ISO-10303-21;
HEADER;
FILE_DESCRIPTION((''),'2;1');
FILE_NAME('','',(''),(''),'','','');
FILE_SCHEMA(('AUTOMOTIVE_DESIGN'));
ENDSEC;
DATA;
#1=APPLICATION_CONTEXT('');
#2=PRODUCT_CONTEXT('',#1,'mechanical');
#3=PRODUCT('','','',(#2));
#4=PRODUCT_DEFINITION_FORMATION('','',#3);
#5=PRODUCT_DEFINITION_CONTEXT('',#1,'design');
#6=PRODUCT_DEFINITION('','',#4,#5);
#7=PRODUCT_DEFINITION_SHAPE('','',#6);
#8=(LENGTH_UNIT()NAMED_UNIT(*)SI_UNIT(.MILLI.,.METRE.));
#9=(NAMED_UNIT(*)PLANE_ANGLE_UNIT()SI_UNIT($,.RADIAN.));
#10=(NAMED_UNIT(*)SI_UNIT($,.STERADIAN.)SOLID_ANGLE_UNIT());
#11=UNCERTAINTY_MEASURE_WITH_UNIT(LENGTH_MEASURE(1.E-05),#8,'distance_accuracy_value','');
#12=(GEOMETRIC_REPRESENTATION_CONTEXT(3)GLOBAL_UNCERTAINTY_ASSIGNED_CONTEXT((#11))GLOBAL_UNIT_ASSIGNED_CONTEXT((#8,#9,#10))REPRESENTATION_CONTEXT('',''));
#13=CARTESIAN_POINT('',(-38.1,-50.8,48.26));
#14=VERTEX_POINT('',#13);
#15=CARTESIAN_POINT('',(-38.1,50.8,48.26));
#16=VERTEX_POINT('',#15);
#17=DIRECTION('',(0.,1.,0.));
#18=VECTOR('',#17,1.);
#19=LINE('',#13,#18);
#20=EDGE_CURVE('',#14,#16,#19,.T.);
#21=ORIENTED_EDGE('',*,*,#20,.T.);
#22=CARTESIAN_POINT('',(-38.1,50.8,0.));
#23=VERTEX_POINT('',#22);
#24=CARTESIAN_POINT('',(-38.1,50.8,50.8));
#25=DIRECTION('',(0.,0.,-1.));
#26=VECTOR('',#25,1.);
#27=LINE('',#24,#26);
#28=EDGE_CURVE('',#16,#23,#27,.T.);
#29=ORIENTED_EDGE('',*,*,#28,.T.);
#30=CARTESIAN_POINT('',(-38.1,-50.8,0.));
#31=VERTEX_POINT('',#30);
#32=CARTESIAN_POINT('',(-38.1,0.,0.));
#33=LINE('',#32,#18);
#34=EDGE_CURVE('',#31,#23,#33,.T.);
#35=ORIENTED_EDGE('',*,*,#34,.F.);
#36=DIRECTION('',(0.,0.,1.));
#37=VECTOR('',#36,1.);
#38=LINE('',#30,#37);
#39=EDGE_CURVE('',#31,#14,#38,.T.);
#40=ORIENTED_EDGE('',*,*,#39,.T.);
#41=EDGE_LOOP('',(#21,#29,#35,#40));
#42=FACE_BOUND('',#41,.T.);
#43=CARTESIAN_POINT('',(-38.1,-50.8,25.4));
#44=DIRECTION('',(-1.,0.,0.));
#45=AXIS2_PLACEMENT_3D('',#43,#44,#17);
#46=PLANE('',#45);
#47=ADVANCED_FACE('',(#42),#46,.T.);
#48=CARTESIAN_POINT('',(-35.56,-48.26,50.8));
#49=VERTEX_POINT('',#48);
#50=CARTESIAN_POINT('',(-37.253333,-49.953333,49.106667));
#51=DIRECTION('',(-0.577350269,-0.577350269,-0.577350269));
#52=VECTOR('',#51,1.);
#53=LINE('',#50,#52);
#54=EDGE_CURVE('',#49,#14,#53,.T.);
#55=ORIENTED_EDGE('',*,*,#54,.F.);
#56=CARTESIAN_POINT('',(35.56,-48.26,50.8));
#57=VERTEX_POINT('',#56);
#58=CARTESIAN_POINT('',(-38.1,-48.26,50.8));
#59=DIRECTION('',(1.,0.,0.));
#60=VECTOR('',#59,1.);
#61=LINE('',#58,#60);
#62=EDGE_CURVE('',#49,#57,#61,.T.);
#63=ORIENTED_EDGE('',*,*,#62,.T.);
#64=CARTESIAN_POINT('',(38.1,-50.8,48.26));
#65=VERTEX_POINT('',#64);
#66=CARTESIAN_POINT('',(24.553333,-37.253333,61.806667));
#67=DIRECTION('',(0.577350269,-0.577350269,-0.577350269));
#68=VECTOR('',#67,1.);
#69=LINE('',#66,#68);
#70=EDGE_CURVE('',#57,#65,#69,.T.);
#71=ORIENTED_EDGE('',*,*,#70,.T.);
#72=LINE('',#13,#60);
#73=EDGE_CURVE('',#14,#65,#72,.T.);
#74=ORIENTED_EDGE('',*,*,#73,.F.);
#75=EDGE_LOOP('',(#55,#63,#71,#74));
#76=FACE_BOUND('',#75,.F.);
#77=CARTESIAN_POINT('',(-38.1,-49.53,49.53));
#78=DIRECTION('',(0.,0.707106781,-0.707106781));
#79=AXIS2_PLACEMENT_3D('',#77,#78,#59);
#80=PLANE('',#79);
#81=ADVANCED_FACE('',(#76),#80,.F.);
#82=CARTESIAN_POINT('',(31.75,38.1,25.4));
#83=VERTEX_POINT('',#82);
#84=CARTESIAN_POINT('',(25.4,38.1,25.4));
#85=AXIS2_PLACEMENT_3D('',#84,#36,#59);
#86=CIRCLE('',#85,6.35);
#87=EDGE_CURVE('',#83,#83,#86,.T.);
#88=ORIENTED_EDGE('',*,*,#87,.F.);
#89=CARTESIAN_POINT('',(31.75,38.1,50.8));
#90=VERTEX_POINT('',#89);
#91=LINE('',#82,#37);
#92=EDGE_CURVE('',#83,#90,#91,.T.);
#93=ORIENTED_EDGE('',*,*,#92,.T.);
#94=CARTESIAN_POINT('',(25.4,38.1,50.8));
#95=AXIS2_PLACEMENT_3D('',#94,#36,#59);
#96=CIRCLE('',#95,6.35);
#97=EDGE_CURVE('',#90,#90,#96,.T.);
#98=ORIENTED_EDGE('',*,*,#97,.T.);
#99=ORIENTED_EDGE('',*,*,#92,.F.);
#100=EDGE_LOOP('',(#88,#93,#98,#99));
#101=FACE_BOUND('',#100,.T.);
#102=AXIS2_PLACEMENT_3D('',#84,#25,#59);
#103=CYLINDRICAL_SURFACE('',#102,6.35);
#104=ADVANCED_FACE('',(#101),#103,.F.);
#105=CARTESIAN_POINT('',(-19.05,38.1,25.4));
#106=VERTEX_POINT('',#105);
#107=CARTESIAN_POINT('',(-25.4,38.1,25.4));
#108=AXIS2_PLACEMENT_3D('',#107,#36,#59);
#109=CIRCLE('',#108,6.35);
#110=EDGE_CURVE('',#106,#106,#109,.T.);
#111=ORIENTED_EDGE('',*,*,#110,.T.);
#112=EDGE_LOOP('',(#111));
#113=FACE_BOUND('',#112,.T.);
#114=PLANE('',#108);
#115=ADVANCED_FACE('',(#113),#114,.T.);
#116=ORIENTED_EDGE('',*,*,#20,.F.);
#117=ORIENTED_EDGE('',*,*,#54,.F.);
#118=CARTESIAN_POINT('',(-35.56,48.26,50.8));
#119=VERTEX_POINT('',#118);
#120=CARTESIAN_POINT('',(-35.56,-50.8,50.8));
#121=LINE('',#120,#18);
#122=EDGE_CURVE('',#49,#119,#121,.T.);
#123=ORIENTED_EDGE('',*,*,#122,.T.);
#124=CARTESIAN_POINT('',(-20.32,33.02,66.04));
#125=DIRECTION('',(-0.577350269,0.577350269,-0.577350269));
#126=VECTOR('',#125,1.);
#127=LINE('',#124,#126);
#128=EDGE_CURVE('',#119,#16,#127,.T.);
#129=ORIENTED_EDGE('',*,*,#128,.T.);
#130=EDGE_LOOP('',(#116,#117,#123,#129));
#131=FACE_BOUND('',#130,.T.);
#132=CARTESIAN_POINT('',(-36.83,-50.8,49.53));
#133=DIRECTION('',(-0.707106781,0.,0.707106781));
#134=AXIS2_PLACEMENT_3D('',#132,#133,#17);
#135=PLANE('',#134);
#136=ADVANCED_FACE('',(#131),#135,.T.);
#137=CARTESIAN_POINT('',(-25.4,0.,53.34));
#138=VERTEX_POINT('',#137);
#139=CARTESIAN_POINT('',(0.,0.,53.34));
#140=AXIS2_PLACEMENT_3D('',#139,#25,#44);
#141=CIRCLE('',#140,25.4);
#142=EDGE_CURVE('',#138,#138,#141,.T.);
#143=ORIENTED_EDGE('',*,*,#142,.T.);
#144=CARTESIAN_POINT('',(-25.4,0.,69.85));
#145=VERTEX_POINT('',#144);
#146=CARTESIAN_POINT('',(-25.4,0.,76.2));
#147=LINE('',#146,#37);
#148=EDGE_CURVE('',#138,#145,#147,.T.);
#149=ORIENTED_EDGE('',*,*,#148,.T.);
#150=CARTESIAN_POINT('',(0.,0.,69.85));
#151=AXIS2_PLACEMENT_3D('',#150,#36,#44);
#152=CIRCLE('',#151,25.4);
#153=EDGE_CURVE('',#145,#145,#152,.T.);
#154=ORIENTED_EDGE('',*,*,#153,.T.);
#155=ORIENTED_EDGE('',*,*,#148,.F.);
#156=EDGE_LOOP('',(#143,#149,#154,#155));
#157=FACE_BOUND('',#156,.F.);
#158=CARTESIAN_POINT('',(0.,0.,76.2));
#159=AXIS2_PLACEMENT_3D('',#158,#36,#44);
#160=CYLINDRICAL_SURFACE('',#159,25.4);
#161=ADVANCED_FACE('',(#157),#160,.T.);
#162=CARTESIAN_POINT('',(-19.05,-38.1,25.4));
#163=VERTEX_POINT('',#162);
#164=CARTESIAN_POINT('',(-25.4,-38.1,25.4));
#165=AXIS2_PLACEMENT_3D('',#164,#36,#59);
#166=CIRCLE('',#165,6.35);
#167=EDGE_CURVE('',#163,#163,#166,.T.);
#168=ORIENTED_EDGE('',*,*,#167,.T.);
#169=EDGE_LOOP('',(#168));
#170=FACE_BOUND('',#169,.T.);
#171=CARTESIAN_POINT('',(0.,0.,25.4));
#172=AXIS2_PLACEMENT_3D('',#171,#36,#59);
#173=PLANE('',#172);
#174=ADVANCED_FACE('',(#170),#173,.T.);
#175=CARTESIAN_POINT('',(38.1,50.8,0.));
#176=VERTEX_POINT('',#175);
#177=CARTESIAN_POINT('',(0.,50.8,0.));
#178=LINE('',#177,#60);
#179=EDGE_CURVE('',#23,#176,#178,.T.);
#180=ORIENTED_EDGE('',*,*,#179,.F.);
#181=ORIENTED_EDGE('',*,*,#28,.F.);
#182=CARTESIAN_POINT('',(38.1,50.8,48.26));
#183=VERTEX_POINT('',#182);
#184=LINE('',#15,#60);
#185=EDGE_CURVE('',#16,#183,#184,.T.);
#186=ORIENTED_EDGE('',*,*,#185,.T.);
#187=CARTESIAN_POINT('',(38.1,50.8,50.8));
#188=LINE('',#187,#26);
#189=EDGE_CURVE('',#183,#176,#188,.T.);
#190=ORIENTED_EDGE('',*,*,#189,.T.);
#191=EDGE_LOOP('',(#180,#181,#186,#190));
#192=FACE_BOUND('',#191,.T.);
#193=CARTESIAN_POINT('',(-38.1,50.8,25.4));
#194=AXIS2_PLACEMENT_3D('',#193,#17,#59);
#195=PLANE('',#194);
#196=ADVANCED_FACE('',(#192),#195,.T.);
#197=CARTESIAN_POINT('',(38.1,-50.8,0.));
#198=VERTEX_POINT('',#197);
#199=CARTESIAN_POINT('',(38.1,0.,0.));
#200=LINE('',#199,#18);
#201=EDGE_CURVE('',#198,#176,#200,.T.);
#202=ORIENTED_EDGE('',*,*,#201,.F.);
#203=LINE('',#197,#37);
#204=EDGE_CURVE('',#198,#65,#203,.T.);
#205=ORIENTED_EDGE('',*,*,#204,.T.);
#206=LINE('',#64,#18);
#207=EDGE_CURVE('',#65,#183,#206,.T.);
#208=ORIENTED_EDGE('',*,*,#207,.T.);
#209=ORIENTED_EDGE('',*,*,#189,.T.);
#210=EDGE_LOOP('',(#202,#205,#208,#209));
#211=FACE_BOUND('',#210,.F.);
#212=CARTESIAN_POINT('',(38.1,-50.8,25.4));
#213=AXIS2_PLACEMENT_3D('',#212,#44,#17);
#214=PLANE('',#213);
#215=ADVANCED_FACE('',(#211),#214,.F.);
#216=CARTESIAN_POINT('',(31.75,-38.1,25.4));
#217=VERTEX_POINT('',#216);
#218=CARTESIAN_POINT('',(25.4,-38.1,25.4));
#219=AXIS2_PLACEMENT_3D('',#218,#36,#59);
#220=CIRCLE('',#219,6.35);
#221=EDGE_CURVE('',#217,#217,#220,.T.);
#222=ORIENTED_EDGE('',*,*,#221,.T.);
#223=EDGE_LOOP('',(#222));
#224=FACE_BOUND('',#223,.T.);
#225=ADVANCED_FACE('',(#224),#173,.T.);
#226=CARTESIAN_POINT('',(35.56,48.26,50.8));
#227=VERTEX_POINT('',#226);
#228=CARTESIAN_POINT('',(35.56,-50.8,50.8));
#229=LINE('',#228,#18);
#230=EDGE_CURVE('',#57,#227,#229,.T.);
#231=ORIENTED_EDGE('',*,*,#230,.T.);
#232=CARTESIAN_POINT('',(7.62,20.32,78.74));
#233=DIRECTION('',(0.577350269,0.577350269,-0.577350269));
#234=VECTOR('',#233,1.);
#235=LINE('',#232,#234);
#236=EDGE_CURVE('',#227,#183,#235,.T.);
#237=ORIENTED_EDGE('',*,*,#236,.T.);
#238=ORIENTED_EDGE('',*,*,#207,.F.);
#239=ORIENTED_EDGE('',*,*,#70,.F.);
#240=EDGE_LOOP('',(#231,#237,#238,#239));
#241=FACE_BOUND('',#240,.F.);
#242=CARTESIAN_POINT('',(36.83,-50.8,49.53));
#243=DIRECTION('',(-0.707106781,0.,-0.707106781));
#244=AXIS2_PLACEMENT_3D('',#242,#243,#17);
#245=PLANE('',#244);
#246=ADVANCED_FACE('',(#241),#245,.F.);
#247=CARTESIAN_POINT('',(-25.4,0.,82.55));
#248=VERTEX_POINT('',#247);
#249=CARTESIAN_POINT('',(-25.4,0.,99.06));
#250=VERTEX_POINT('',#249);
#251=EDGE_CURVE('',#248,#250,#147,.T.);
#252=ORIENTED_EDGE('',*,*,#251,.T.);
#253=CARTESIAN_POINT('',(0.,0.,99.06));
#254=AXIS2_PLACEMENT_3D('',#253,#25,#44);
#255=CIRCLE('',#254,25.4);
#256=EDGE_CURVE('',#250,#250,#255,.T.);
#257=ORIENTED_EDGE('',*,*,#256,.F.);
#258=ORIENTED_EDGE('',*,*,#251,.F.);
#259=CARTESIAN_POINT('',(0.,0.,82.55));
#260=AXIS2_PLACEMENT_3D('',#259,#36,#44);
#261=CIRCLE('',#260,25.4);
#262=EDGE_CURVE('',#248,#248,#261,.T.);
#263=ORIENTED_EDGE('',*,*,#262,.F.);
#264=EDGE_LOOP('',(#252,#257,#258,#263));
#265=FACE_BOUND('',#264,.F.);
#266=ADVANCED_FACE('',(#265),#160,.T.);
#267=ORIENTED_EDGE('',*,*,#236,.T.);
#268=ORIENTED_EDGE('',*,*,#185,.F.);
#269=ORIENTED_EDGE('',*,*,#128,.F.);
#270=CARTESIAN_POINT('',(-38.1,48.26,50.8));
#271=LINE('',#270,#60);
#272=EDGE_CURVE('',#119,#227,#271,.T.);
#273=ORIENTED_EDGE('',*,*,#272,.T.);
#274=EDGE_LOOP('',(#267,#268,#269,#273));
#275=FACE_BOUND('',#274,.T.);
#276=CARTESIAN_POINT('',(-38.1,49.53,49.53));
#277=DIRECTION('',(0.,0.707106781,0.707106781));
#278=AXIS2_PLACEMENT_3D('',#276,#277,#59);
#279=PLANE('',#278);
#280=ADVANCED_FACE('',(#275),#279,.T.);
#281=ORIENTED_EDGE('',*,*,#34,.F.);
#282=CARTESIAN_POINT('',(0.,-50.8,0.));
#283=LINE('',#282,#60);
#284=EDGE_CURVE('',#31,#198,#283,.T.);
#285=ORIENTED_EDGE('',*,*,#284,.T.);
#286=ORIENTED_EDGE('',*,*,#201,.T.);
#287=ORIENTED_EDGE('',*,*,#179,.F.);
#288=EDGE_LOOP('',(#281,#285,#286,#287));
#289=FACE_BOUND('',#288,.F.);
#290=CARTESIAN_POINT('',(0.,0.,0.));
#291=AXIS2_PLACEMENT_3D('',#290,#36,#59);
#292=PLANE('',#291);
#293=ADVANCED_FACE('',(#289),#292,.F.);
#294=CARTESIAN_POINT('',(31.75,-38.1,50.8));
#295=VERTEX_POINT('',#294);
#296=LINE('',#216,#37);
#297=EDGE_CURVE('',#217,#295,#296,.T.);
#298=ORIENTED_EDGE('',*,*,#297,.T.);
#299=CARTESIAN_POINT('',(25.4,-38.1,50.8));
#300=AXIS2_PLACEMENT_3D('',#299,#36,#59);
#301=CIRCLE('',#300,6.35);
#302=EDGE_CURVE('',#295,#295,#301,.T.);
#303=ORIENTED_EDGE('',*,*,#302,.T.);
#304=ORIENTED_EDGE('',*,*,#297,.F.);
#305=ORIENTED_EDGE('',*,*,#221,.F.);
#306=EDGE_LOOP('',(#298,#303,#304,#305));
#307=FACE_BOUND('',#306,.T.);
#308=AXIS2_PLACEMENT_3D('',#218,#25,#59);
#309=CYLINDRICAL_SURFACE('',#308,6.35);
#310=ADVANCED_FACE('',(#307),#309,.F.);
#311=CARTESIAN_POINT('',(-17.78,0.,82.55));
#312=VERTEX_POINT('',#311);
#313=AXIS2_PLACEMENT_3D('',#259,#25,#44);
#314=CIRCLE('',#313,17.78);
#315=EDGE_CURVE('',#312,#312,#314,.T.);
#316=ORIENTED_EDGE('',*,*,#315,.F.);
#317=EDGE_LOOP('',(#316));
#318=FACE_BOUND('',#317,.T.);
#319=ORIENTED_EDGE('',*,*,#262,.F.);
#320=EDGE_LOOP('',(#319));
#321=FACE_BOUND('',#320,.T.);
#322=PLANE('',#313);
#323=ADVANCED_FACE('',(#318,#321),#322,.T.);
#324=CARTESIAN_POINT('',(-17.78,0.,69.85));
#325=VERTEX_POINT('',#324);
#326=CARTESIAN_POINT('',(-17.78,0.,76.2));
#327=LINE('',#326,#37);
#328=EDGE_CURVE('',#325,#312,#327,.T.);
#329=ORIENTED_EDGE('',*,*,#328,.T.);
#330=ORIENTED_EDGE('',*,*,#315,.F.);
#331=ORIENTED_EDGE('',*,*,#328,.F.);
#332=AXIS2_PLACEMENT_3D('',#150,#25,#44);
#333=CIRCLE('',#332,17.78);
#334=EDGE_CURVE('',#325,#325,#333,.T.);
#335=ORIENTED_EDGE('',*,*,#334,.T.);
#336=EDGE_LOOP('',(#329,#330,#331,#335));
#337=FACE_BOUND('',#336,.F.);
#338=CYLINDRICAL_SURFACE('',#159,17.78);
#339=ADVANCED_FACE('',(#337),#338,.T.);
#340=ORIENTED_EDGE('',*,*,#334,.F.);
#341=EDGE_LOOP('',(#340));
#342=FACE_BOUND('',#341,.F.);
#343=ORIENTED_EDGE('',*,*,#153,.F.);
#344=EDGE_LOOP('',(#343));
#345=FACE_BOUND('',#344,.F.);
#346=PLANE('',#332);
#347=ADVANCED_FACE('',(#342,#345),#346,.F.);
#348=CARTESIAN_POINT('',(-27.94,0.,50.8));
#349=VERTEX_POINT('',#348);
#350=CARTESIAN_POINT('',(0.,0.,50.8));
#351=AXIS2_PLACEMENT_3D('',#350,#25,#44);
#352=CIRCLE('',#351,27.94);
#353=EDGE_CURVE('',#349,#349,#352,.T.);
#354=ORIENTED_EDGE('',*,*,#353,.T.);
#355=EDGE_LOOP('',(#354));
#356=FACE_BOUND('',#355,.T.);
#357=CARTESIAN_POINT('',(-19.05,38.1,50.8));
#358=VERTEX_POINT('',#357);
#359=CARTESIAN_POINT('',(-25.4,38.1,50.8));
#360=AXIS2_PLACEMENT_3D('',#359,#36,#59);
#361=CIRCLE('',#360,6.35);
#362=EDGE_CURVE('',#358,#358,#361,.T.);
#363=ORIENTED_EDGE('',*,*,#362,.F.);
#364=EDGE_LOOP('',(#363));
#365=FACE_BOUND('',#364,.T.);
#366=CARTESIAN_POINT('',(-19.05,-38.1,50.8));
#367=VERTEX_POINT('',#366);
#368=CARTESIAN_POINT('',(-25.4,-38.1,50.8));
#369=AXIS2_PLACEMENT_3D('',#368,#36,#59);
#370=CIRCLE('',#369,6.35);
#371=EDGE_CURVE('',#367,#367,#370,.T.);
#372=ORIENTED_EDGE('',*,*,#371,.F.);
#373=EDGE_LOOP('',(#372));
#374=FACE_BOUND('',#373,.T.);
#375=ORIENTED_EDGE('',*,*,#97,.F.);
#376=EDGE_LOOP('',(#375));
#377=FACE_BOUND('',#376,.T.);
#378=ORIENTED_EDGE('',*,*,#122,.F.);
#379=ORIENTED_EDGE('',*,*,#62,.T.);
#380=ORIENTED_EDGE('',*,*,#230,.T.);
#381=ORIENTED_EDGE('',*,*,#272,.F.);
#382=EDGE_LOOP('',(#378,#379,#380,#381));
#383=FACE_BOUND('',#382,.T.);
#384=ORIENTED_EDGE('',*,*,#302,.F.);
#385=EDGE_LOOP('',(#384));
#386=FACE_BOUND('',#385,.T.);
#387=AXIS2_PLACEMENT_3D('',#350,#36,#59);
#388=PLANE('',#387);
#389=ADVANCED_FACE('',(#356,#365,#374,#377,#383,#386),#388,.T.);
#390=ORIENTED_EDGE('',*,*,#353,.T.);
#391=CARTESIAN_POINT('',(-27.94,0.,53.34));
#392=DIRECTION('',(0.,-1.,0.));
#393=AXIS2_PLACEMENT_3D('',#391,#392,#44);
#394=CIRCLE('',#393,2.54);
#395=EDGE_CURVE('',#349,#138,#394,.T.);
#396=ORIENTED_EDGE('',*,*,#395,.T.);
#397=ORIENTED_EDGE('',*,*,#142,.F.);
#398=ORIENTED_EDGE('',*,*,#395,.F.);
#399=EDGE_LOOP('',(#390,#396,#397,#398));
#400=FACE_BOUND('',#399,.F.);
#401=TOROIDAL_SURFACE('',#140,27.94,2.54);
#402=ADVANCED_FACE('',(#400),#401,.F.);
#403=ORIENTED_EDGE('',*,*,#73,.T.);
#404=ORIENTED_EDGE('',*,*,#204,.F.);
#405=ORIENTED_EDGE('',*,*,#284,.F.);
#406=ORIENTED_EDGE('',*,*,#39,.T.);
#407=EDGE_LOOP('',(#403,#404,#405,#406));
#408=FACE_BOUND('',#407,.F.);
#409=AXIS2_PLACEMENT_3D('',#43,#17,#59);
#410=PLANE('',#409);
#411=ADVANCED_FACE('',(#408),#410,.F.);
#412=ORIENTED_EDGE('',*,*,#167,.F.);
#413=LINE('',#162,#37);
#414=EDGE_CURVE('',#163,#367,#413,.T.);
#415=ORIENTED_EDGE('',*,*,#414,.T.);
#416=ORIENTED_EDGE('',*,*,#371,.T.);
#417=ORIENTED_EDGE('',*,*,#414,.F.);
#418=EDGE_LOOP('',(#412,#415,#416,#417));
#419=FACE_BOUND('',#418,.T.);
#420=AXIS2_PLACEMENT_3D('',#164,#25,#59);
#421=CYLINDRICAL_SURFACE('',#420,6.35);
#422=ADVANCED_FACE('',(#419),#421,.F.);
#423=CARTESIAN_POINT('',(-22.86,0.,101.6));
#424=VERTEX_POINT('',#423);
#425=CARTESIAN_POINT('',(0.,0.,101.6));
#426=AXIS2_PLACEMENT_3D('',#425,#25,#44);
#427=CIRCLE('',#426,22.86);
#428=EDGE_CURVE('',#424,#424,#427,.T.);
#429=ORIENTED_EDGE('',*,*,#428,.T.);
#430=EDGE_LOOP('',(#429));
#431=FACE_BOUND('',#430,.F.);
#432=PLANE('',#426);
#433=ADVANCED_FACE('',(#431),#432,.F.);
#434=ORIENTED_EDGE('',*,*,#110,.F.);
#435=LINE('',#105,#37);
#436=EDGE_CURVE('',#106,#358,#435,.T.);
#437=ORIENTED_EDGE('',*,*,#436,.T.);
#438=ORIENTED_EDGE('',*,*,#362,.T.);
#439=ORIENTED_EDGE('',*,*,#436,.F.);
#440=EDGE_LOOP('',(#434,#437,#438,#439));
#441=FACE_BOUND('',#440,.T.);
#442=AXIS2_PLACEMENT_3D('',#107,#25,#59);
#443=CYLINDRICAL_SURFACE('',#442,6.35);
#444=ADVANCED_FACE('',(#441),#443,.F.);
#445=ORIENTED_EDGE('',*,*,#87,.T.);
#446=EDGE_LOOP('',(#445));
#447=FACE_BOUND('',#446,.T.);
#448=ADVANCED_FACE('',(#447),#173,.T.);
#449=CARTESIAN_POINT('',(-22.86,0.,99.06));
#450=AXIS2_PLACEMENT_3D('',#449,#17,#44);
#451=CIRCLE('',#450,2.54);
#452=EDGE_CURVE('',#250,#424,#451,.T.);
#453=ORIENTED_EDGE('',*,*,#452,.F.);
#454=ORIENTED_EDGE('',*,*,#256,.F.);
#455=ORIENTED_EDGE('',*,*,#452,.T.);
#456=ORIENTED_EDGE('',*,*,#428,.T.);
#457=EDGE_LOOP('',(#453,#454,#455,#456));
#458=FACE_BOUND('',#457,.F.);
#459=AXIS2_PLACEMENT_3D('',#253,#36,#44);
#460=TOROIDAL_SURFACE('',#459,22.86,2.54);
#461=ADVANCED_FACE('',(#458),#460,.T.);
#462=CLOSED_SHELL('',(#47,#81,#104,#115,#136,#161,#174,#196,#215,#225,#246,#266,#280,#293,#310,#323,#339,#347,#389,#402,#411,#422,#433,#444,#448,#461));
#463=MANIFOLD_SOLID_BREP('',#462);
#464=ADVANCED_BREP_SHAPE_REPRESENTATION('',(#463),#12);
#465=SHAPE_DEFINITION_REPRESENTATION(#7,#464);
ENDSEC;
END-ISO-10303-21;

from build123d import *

# Parameters (mm, degrees)
F0_W      = 76.2
F0_H      = 101.6
F1_DEPTH  = 25.4
F2_W      = 76.2
F2_H      = 101.6
F2_R      = 6.35
F3_DEPTH  = 25.4
F4_W      = 25.4
F4_H      = 50.8
F6_W      = 18.3004425924
F6_H      = 12.7
F8_R      = 2.54
F9_SIZE   = 2.54
F10_DEPTH = 25.4


with BuildPart() as f1:
    # F0 (on Top) → F1 (new body)
    with BuildSketch(Plane.XY):
        Rectangle(F0_W, F0_H)
    extrude(amount=F1_DEPTH)

    # F2 (on face) → F3 (join)
    with BuildSketch(Plane.XY.offset(25.4)):
        Rectangle(F2_W, F2_H)
        with Locations((-25.4, -38.1)):
            Circle(F2_R, mode=Mode.SUBTRACT)
        with Locations((25.4, -38.1)):
            Circle(F2_R, mode=Mode.SUBTRACT)
        with Locations((-25.4, 38.1)):
            Circle(F2_R, mode=Mode.SUBTRACT)
        with Locations((25.4, 38.1)):
            Circle(F2_R, mode=Mode.SUBTRACT)
        with Locations((-25.4, 38.1)):
            Circle(F2_R)
    extrude(amount=F3_DEPTH)

    # F4 (on Front) → F5 (revolve)
    with BuildSketch(Plane.XZ):
        with Locations((-12.7, 76.2)):
            Rectangle(F4_W, F4_H)
    revolve(axis=Axis((0, 0, 76.2), (0, 0, -1)))

    # F6 (on Front) → F7 (revolve, cut)
    with BuildSketch(Plane.XZ):
        with Locations((-26.9302212962, 76.2)):
            Rectangle(F6_W, F6_H)
    revolve(axis=Axis((0, 0, 101.6), (0, 0, -1)), mode=Mode.SUBTRACT)

    # F8
    f8_edges = [f1.edges().sort_by_distance(p)[0] for p in [
        (25.4, 0, 101.6),
        (25.4, 0, 50.8),
    ]]
    fillet(f8_edges, radius=F8_R)

    # F9
    f9_edges = [f1.edges().sort_by_distance(p)[0] for p in [
        (0, -50.8, 50.8),
        (38.1, 0, 50.8),
        (0, 50.8, 50.8),
        (-38.1, 0, 50.8),
    ]]
    chamfer(f9_edges, length=F9_SIZE)

    # F2 (on face) → F10 (cut)
    with BuildSketch(Plane.XY.offset(25.4)):
        with Locations((-25.4, 38.1)):
            Circle(F2_R)
        with Locations((25.4, 38.1)):
            Circle(F2_R)
        with Locations((-25.4, -38.1)):
            Circle(F2_R)
        with Locations((25.4, -38.1)):
            Circle(F2_R)
    extrude(amount=F10_DEPTH, mode=Mode.SUBTRACT)


solid = f1.part
